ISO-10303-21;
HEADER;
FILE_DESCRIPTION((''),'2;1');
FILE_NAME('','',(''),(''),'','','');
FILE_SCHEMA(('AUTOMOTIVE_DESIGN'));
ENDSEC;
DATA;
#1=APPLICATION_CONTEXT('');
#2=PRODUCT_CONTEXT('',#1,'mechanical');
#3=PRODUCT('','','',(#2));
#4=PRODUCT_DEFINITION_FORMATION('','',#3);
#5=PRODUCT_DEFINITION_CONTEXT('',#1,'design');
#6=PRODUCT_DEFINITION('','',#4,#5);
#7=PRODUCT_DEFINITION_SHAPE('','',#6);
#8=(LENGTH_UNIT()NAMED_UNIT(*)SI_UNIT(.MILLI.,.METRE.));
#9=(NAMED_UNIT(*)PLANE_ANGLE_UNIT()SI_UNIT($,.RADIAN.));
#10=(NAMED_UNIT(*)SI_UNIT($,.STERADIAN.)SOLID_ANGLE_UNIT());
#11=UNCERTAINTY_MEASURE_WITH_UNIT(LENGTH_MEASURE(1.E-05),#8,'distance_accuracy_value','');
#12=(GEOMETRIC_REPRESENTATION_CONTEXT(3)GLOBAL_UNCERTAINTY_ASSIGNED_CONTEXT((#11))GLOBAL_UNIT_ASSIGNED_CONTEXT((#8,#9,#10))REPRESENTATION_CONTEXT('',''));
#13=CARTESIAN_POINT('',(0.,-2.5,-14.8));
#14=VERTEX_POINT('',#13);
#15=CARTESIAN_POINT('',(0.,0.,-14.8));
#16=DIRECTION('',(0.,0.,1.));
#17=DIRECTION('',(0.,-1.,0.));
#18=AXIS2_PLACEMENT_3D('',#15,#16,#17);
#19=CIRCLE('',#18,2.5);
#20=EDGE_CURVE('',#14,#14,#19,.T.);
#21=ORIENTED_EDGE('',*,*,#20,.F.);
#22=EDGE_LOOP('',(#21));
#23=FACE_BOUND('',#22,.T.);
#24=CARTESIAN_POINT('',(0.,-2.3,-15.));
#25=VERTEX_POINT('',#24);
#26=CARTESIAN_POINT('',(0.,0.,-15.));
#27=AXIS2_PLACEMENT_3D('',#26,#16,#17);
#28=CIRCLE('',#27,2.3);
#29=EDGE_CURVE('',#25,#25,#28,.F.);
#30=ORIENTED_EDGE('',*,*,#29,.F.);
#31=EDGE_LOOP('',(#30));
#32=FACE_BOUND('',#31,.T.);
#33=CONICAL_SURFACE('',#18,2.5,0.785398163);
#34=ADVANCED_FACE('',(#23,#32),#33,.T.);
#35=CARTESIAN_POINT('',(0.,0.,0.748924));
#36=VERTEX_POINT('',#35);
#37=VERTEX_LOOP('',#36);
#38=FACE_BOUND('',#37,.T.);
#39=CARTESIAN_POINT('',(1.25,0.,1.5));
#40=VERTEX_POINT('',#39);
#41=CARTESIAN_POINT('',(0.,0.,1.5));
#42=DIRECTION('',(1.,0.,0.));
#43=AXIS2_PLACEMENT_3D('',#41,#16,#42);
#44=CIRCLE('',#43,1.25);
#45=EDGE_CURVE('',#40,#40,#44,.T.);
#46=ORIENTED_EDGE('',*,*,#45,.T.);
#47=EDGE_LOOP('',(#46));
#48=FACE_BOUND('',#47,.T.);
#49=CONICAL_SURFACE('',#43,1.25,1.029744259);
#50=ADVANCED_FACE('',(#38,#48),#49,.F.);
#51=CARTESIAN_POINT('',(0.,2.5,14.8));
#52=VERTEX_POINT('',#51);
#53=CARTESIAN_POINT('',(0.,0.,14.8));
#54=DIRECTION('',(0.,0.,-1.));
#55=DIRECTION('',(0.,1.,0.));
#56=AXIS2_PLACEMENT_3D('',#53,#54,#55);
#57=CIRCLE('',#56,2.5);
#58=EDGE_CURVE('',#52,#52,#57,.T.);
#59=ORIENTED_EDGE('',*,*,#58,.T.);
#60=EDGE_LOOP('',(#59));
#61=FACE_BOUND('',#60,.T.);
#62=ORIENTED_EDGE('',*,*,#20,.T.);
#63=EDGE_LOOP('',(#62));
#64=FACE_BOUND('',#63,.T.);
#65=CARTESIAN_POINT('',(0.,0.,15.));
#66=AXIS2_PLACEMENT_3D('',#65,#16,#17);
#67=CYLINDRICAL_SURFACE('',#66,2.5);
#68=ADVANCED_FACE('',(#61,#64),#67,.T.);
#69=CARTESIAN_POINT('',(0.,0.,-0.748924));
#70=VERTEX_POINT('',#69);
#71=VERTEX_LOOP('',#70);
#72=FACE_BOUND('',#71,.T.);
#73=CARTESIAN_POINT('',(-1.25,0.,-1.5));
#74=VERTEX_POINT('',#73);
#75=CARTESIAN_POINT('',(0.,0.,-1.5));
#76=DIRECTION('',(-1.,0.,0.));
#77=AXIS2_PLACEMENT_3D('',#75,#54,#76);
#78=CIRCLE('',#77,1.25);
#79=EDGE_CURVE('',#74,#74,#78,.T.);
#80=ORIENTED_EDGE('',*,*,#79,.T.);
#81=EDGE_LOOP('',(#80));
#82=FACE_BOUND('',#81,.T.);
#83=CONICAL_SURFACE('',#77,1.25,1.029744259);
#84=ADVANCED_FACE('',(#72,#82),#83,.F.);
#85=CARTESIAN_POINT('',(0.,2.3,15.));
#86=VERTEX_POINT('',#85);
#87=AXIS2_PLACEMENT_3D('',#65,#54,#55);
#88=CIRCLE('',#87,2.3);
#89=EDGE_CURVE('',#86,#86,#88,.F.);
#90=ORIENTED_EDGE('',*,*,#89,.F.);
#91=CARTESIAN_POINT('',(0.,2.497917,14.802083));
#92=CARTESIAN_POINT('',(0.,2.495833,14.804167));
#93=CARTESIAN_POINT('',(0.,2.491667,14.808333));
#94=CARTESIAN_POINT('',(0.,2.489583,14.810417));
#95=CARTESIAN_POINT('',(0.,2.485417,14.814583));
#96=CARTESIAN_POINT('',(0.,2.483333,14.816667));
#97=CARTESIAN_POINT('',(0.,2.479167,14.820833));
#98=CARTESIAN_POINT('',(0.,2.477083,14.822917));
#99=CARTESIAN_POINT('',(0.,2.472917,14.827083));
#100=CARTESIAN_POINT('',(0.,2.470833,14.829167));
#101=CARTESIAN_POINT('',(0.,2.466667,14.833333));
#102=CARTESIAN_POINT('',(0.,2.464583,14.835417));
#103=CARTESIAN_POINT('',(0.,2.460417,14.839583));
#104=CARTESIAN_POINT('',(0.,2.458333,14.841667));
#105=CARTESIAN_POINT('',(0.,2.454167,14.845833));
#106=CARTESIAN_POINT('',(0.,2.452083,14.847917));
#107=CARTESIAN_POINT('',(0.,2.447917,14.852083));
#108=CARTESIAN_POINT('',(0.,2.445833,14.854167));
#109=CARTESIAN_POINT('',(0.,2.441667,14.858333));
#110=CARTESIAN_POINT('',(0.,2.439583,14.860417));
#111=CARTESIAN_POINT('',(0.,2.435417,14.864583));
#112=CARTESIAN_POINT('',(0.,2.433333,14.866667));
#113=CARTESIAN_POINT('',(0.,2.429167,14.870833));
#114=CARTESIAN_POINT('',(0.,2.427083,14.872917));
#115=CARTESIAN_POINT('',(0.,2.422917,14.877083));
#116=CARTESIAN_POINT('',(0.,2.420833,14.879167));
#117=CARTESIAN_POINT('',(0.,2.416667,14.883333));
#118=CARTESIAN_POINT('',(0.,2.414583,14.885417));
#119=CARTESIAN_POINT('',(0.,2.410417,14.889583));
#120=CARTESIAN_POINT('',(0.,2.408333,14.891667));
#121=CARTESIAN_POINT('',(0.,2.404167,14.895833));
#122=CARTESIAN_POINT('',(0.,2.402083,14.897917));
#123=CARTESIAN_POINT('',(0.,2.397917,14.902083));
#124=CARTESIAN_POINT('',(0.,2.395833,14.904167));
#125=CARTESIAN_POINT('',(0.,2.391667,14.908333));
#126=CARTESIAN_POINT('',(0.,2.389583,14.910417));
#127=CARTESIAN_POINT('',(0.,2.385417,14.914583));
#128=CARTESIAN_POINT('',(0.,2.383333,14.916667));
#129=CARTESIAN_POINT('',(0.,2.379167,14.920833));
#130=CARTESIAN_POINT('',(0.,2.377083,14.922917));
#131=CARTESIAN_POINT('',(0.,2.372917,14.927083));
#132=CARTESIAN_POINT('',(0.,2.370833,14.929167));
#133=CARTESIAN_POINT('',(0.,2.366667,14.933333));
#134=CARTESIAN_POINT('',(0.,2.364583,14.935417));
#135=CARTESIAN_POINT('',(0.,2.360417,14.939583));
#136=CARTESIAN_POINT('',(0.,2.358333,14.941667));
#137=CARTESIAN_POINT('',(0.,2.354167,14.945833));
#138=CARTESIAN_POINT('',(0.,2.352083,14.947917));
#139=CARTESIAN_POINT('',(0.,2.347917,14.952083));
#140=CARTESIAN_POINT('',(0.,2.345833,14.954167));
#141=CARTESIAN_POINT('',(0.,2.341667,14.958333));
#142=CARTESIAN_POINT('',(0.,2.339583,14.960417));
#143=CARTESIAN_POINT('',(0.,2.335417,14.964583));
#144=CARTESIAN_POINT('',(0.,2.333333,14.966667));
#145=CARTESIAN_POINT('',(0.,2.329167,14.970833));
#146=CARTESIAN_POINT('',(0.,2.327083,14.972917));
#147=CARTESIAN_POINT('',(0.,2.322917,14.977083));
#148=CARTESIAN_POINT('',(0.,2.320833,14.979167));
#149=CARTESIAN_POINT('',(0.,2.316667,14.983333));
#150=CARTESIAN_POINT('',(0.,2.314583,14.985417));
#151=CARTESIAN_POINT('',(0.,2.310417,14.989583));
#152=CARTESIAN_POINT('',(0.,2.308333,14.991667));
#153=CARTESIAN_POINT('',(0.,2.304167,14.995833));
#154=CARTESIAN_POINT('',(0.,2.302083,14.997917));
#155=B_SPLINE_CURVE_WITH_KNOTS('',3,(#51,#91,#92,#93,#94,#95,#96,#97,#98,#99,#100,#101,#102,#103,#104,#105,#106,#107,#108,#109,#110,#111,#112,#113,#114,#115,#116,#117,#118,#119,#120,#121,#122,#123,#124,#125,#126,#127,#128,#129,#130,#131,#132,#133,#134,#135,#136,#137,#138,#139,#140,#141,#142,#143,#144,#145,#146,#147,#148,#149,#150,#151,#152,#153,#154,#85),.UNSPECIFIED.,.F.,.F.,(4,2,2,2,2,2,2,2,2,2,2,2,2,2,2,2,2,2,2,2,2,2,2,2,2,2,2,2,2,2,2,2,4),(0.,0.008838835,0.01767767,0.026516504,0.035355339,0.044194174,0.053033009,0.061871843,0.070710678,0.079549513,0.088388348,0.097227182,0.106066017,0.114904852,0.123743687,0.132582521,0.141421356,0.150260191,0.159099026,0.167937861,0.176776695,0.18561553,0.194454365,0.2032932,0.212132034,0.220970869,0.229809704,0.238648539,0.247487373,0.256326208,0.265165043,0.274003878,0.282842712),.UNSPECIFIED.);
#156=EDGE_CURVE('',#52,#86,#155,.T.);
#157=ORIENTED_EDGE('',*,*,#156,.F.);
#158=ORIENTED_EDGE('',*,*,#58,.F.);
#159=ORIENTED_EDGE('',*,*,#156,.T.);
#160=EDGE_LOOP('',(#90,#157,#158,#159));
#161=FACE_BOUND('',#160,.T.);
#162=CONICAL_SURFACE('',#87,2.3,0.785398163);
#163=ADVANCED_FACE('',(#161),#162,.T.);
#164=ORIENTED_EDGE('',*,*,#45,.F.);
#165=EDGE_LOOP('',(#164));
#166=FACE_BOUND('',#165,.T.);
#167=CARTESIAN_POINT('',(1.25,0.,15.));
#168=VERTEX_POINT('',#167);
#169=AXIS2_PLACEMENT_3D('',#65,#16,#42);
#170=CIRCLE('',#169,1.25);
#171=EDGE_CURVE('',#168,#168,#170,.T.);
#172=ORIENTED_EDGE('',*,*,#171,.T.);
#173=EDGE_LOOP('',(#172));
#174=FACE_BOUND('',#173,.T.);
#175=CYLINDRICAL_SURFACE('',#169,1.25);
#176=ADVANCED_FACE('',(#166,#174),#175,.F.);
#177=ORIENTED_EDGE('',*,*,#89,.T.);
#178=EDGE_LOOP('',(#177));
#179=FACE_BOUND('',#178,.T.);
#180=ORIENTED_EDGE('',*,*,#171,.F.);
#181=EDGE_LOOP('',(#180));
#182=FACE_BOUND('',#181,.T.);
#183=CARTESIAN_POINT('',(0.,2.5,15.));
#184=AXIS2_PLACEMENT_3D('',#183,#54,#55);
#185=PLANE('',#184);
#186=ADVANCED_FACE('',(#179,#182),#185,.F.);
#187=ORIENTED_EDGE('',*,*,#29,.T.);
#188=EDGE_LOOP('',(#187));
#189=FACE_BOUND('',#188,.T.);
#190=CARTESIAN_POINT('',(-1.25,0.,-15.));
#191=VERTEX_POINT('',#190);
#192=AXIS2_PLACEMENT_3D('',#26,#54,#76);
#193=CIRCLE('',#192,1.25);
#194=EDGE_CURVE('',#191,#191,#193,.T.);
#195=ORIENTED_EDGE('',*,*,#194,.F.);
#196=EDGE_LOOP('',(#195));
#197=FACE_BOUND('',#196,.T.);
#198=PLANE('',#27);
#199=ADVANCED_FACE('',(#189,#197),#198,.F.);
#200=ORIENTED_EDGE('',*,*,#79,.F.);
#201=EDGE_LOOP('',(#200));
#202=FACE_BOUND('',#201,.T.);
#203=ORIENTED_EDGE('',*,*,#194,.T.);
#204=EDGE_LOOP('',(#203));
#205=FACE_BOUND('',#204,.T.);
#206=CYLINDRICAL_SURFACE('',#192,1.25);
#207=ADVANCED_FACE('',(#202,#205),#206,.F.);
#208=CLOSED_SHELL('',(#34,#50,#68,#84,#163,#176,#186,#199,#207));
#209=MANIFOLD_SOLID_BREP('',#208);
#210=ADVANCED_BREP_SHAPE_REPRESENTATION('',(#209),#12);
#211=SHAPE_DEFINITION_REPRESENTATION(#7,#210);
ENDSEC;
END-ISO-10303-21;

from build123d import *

# Parameters (mm, degrees)
SKETCH_1_W     = 30
SKETCH_1_H     = 2.5
CHAMFER_1_SIZE = 0.2


with BuildPart() as part:
    # 草图1 → 旋转1 (revolve)
    with BuildSketch(Plane(origin=(0, 0, 0), x_dir=(0, 0, -1), z_dir=(1, 0, 0)), mode=Mode.PRIVATE) as revolve_1_sk:
        with Locations((0, 1.25)):
            Rectangle(SKETCH_1_W, SKETCH_1_H)
    revolve(revolve_1_sk.sketch.rotate(Axis((0, 0, 15), (0, 0, -1)), 180), axis=Axis((0, 0, 15), (0, 0, -1)))

    # 草图3 → Hole Wizard 1 (revolve, cut)
    with BuildSketch(Plane(origin=(0, 0, 15), x_dir=(0, -1, 0), z_dir=(1, 0, 0))):
        Polygon((0, 0), (0, 14.251075774), (1.25, 13.5), (1.25, 0), align=None)
    hole_wizard_1 = revolve(axis=Axis((0, 0, 21.35), (0, 0, -1)), mode=Mode.SUBTRACT)

    # 镜向1: Hole Wizard 1 across plane
    add(hole_wizard_1.mirror(Plane.XY), mode=Mode.SUBTRACT)

    # 倒角1
    chamfer_1_edges = [part.edges().sort_by_distance(p)[0] for p in [
        (0, 2.5, -15),
        (0, 2.5, 15),
    ]]
    chamfer(chamfer_1_edges, length=CHAMFER_1_SIZE)


solid = part.part
